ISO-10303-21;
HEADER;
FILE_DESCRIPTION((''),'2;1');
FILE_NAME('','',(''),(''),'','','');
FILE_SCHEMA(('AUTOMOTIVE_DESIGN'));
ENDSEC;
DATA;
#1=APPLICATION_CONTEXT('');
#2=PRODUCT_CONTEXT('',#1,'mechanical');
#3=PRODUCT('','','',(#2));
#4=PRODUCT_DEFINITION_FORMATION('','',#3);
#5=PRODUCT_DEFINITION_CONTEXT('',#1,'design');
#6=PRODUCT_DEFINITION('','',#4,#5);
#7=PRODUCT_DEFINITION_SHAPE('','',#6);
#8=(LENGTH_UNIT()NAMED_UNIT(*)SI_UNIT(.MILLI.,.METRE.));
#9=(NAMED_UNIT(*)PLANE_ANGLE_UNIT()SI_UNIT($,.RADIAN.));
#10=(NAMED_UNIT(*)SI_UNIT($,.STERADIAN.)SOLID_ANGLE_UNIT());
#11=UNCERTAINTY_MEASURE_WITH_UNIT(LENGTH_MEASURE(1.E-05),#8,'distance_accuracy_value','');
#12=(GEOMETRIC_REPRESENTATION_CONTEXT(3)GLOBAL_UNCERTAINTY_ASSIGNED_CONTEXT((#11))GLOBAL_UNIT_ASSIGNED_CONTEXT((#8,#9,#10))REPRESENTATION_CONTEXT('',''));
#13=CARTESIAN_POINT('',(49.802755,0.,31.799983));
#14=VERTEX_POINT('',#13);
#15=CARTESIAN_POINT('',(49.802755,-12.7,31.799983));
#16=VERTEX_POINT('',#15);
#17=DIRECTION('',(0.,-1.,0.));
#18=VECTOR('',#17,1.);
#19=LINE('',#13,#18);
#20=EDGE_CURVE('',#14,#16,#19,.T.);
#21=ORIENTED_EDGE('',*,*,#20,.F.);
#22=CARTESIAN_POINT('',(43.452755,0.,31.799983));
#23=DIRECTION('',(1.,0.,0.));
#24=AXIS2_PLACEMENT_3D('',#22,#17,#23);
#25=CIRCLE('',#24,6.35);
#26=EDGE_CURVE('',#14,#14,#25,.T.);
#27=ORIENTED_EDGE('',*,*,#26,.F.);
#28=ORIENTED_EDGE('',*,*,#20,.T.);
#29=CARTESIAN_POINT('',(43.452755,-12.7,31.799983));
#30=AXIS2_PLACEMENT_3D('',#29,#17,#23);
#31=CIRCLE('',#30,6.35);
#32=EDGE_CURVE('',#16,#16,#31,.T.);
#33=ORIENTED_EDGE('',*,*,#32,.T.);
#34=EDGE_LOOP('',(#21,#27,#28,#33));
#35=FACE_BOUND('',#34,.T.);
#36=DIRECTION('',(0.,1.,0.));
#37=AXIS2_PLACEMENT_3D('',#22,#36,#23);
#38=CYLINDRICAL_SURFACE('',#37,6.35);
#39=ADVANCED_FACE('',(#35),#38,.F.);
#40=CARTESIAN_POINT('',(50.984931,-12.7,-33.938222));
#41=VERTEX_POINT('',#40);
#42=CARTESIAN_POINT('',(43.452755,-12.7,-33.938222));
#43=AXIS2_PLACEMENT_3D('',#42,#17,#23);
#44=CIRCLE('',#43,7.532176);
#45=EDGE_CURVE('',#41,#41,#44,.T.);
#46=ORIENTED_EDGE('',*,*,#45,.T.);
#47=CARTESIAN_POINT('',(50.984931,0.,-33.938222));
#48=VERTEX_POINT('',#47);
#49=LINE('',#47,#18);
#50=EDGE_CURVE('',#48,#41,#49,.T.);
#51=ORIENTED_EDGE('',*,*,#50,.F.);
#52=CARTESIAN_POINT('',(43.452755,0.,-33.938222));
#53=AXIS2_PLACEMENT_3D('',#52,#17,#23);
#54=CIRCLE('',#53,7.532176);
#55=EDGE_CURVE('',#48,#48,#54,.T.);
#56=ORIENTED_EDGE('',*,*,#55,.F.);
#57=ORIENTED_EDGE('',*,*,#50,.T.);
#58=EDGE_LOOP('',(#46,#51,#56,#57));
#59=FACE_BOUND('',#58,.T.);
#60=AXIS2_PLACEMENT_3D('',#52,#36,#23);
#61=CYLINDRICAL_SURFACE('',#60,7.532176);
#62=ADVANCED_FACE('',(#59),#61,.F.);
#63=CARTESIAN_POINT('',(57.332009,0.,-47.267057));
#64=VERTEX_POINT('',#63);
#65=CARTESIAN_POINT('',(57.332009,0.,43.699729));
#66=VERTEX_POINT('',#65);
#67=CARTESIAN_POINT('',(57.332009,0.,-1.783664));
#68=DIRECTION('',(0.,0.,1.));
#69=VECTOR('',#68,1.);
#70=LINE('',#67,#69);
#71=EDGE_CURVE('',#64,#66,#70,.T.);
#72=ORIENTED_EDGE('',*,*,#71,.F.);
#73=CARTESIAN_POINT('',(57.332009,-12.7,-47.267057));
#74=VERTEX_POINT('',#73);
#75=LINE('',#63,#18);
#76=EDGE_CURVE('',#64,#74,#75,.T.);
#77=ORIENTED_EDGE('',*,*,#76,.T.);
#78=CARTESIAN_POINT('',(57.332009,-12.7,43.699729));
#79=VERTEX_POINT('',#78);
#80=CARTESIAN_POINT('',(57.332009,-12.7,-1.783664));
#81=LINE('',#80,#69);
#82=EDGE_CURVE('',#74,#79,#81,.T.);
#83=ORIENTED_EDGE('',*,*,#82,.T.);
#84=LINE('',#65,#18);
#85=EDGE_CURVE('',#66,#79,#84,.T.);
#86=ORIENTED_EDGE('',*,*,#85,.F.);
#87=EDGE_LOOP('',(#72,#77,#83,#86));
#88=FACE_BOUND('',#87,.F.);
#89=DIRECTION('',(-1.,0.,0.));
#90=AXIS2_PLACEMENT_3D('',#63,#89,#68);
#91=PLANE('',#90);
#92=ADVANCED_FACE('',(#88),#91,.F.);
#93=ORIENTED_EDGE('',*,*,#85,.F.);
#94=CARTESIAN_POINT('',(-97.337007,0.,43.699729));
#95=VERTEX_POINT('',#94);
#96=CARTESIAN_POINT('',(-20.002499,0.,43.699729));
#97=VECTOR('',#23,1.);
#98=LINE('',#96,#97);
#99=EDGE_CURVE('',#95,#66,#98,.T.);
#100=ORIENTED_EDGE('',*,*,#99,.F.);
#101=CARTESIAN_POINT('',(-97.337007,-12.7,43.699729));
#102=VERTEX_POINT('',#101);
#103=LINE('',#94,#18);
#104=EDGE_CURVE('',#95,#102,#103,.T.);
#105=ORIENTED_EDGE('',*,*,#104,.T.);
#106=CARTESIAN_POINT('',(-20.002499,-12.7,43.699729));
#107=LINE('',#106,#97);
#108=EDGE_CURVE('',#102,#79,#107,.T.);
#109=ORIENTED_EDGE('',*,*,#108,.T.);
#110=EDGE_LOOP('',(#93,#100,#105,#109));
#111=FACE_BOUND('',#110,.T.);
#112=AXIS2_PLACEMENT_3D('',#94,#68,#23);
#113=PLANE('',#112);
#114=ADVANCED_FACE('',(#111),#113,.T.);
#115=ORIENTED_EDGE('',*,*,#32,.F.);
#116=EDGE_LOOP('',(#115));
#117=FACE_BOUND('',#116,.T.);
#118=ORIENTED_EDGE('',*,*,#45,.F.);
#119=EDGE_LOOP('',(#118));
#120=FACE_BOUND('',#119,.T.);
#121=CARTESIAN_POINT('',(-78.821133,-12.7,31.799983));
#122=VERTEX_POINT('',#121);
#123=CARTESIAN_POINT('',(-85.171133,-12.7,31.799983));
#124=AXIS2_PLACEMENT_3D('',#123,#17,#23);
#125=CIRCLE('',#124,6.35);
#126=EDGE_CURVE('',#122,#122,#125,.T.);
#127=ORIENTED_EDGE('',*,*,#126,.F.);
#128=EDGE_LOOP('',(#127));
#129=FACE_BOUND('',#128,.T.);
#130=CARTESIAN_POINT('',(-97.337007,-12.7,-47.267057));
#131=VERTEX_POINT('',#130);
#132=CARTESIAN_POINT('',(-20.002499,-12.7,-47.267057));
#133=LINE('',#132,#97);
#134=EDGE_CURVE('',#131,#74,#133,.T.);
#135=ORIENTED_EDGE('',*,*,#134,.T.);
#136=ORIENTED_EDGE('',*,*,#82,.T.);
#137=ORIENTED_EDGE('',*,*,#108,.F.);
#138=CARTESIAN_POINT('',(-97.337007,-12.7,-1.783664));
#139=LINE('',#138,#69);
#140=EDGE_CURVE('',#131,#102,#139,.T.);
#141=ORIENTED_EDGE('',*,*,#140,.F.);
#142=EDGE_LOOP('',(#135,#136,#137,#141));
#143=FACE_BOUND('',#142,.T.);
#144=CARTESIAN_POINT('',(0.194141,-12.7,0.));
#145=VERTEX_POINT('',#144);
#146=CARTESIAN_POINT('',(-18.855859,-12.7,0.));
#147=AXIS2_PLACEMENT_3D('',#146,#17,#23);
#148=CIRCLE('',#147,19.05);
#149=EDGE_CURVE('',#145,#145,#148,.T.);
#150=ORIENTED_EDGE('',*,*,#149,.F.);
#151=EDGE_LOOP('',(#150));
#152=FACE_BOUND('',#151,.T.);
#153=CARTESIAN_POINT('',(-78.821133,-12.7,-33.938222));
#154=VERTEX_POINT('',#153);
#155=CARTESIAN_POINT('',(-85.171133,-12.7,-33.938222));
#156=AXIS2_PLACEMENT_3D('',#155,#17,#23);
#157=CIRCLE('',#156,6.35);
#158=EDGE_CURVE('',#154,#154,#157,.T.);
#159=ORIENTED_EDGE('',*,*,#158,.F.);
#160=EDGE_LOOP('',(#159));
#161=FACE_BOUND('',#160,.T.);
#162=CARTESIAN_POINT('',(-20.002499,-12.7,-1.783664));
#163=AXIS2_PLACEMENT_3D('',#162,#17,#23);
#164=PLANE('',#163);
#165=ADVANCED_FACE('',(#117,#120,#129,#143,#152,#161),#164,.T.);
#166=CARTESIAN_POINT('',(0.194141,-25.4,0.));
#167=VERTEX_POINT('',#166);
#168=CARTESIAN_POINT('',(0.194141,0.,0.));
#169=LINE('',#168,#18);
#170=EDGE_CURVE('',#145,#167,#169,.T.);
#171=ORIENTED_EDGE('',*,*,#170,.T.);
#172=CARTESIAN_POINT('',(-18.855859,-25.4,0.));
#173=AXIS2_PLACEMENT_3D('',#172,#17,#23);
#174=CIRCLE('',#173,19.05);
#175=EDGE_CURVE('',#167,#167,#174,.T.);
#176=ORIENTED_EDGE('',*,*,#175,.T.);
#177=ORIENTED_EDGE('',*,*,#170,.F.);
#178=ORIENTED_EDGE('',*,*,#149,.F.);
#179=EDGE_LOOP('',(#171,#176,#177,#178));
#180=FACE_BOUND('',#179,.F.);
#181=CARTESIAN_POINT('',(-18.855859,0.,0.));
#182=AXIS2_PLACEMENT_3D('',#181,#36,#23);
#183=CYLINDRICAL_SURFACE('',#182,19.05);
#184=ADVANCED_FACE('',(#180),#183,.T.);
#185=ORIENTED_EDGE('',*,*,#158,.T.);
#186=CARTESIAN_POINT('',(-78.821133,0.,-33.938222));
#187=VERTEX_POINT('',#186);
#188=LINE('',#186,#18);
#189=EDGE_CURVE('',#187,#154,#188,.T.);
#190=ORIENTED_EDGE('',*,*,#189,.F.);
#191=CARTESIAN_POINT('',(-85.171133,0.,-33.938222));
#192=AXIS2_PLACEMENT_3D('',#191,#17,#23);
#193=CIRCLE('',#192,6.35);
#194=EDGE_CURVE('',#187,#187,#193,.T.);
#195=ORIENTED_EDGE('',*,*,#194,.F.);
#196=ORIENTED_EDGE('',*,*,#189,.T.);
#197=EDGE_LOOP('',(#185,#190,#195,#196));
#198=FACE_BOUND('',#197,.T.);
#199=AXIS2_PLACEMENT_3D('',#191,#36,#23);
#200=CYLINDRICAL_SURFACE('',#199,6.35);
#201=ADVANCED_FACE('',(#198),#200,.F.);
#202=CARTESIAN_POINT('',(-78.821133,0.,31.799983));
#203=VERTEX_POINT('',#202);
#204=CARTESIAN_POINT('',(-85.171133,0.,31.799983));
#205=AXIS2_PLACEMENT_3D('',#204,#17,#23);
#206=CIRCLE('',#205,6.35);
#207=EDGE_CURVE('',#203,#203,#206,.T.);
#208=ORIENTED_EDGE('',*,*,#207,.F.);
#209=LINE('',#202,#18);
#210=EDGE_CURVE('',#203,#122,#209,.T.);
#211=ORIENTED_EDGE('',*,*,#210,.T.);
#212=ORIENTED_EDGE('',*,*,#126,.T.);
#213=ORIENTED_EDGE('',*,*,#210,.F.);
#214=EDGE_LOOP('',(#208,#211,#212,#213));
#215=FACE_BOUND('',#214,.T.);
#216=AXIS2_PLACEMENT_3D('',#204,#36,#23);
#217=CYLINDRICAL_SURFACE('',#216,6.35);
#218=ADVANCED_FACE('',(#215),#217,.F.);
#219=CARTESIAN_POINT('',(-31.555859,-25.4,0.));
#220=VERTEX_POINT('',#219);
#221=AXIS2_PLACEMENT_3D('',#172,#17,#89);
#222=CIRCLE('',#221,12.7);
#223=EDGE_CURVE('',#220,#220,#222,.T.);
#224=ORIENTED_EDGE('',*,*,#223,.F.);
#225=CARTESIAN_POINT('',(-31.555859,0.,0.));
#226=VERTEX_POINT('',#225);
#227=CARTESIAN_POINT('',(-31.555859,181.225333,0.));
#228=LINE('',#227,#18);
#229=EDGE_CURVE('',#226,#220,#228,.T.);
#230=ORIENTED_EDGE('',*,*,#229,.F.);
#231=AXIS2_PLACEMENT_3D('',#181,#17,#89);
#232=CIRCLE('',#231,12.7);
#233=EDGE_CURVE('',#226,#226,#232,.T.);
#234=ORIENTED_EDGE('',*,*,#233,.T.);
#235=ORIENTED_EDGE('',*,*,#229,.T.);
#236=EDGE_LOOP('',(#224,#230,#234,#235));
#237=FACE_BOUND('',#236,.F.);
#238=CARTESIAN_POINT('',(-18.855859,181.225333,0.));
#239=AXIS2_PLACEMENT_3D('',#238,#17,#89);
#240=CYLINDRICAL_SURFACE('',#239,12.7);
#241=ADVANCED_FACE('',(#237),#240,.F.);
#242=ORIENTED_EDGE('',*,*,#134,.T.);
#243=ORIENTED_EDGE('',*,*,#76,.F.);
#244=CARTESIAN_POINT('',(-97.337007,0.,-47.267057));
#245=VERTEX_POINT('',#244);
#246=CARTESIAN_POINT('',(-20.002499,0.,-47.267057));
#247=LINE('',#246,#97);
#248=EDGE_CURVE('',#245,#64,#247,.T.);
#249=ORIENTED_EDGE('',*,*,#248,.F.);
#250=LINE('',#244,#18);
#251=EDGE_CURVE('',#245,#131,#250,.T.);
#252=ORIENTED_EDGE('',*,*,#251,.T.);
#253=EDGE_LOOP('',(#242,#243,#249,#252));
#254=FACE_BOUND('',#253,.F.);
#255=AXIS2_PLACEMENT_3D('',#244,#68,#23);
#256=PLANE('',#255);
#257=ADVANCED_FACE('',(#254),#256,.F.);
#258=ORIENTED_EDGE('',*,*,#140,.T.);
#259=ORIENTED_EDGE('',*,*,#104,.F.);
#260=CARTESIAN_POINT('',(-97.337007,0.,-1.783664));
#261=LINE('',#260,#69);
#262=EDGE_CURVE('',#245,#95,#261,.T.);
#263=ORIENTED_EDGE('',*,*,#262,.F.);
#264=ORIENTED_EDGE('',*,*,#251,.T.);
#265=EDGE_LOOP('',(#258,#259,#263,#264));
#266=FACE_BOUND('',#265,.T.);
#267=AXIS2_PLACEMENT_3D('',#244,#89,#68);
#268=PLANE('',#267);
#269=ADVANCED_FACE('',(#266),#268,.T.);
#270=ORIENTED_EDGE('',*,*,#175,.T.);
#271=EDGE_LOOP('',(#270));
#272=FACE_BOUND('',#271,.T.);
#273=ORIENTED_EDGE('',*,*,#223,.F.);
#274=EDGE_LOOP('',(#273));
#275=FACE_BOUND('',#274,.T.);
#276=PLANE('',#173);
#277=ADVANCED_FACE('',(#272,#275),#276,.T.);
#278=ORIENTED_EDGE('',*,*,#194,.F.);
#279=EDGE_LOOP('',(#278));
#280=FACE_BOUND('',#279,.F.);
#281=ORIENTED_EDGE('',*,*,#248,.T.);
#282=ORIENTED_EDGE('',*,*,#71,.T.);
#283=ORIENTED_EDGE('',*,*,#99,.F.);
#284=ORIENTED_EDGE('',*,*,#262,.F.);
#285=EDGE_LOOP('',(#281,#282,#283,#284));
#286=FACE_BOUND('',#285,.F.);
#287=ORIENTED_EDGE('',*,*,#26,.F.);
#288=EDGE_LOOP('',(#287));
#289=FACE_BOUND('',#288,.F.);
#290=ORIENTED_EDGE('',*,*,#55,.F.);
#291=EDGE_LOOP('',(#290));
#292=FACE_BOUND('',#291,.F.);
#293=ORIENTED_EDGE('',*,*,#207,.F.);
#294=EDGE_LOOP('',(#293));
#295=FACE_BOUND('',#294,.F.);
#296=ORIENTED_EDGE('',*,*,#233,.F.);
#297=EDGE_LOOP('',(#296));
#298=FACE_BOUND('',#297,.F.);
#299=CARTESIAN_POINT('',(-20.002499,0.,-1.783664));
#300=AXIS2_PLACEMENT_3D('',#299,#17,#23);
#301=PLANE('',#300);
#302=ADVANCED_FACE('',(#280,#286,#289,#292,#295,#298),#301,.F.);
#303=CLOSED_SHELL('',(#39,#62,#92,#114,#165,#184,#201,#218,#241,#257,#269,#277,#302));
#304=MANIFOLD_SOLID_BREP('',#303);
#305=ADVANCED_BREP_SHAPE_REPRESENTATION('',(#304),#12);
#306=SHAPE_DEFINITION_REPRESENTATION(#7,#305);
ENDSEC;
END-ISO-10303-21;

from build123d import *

# Parameters (mm, degrees)
F0_R     = 19.05
F1_DEPTH = 25.4
F0_W     = 154.669017
F0_H     = 90.966787
F0_R_2   = 6.35
F0_R_3   = 7.532176
F2_DEPTH = 12.7
F3_D     = 25.4


with BuildPart() as f1:
    # F0 (on Front) → F1 (new body)
    with BuildSketch(Plane.XZ):
        with Locations((-18.855859, 0)):
            Circle(F0_R)
    extrude(amount=F1_DEPTH)

    # F0 (on Front) → F2 (join)
    with BuildSketch(Plane.XZ):
        with Locations((-20.002499, -1.783664)):
            Rectangle(F0_W, F0_H)
        with Locations((-85.171133, -33.938222)):
            Circle(F0_R_2, mode=Mode.SUBTRACT)
        with Locations((43.452755, -33.938222)):
            Circle(F0_R_3, mode=Mode.SUBTRACT)
        with Locations((-85.171133, 31.799983)):
            Circle(F0_R_2, mode=Mode.SUBTRACT)
        with Locations((-18.855859, 0)):
            Circle(F0_R, mode=Mode.SUBTRACT)
        with Locations((43.452755, 31.799983)):
            Circle(F0_R_2, mode=Mode.SUBTRACT)
    extrude(amount=F2_DEPTH)

    # F3 (through all)
    with Locations(Plane(origin=(0, 0, 0), x_dir=(1, 0, 0), z_dir=(0, 1, 0))):
        with Locations((-18.855859, 0)):
            Hole(F3_D / 2)


solid = f1.part
